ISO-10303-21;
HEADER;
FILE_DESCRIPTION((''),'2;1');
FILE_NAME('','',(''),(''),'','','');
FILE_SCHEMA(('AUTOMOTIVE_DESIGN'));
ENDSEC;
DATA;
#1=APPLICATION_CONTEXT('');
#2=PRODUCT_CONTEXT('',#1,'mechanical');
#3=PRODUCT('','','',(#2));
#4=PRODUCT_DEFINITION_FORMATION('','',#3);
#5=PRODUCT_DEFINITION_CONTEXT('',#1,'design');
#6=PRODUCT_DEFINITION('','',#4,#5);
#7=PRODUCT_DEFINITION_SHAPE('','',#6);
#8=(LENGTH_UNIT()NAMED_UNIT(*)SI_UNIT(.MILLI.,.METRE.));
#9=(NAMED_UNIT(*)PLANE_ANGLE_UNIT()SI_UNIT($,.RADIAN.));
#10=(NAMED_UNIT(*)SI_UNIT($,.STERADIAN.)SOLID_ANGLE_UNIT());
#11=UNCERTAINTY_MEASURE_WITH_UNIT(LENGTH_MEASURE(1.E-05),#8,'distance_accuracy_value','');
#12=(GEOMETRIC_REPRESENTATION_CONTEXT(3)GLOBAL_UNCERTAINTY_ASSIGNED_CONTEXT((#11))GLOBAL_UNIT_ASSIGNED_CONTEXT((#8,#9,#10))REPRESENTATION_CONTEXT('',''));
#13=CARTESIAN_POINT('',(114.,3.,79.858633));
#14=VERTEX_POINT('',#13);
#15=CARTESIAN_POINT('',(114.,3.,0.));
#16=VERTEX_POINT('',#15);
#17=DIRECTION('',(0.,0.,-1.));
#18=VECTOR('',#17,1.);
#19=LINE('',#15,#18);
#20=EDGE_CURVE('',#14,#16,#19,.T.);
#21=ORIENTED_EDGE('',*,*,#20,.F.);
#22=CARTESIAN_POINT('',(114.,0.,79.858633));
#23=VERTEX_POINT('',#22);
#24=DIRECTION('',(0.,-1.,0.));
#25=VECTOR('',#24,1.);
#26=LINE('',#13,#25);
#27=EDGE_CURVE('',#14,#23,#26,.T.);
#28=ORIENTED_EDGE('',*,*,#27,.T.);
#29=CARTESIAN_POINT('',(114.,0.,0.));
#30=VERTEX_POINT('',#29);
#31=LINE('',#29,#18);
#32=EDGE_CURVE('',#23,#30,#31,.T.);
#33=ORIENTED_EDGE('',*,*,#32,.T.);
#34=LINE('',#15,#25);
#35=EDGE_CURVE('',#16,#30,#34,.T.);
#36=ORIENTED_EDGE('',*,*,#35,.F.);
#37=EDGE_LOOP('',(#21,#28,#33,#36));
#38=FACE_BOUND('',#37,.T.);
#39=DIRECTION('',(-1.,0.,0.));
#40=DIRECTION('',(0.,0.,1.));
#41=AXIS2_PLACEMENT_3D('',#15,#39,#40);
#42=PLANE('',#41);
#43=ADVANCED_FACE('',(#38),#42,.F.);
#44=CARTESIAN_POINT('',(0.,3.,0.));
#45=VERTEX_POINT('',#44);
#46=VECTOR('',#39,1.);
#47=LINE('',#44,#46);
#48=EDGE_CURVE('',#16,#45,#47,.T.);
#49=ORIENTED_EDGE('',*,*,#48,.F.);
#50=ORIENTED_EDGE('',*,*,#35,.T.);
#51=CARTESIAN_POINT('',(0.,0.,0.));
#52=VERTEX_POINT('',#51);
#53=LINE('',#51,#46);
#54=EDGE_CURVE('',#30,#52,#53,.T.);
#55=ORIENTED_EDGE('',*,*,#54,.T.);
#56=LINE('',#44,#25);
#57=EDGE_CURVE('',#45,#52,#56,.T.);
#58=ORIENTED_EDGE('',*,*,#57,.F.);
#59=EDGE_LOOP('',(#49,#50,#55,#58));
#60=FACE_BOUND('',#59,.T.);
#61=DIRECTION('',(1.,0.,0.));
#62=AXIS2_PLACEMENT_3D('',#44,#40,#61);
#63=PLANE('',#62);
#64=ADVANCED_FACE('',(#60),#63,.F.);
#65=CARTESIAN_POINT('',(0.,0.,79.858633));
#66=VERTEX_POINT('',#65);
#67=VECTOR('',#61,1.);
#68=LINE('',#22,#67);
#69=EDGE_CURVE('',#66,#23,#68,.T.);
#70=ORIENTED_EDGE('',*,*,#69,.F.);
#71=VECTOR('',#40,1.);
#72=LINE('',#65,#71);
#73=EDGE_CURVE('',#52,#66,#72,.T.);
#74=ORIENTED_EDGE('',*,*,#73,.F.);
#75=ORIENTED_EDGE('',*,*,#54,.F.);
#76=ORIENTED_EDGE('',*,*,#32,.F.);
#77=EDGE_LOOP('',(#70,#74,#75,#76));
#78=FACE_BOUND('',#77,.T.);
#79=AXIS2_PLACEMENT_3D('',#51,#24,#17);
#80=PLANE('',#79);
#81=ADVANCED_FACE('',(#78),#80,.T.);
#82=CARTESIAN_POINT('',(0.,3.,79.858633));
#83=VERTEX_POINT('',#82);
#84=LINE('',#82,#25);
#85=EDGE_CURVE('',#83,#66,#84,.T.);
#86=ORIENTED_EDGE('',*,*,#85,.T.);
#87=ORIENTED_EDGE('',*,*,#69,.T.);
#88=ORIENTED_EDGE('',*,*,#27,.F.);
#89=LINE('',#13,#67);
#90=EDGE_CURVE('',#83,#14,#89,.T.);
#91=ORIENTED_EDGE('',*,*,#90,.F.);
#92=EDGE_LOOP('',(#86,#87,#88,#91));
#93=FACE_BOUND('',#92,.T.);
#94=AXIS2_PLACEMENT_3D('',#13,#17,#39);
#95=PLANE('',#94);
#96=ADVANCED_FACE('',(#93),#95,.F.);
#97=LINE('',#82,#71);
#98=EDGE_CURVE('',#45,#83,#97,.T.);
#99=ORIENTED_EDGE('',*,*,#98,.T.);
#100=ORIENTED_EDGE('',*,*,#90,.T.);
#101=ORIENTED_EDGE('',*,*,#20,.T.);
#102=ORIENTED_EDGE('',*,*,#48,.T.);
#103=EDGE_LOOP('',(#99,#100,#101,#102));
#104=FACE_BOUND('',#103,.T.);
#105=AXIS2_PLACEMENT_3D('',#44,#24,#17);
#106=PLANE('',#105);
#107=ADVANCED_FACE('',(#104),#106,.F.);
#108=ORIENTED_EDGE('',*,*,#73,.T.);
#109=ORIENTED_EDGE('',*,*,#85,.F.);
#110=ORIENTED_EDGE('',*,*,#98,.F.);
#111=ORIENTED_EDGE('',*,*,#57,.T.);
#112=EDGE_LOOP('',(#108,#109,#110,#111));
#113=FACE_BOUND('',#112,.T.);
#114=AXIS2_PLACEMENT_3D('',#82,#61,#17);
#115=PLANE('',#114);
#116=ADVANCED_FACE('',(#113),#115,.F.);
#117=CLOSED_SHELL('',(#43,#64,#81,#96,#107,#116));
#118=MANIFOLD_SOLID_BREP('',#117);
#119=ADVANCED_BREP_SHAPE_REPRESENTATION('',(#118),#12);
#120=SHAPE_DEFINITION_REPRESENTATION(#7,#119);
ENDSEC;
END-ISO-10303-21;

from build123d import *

# Parameters (mm, degrees)
SKETCH_1_W      = 114
SKETCH_1_H      = 79.85863283
EXTRUDE_1_DEPTH = 3


with BuildPart() as part:
    # 草图1 → 凸台-拉伸1 (new body)
    with BuildSketch(Plane(origin=(0, 0, 0), x_dir=(1, 0, 0), z_dir=(0, 1, 0))):
        with Locations((57, -39.929316415)):
            Rectangle(SKETCH_1_W, SKETCH_1_H)
    extrude(amount=EXTRUDE_1_DEPTH)


solid = part.part
